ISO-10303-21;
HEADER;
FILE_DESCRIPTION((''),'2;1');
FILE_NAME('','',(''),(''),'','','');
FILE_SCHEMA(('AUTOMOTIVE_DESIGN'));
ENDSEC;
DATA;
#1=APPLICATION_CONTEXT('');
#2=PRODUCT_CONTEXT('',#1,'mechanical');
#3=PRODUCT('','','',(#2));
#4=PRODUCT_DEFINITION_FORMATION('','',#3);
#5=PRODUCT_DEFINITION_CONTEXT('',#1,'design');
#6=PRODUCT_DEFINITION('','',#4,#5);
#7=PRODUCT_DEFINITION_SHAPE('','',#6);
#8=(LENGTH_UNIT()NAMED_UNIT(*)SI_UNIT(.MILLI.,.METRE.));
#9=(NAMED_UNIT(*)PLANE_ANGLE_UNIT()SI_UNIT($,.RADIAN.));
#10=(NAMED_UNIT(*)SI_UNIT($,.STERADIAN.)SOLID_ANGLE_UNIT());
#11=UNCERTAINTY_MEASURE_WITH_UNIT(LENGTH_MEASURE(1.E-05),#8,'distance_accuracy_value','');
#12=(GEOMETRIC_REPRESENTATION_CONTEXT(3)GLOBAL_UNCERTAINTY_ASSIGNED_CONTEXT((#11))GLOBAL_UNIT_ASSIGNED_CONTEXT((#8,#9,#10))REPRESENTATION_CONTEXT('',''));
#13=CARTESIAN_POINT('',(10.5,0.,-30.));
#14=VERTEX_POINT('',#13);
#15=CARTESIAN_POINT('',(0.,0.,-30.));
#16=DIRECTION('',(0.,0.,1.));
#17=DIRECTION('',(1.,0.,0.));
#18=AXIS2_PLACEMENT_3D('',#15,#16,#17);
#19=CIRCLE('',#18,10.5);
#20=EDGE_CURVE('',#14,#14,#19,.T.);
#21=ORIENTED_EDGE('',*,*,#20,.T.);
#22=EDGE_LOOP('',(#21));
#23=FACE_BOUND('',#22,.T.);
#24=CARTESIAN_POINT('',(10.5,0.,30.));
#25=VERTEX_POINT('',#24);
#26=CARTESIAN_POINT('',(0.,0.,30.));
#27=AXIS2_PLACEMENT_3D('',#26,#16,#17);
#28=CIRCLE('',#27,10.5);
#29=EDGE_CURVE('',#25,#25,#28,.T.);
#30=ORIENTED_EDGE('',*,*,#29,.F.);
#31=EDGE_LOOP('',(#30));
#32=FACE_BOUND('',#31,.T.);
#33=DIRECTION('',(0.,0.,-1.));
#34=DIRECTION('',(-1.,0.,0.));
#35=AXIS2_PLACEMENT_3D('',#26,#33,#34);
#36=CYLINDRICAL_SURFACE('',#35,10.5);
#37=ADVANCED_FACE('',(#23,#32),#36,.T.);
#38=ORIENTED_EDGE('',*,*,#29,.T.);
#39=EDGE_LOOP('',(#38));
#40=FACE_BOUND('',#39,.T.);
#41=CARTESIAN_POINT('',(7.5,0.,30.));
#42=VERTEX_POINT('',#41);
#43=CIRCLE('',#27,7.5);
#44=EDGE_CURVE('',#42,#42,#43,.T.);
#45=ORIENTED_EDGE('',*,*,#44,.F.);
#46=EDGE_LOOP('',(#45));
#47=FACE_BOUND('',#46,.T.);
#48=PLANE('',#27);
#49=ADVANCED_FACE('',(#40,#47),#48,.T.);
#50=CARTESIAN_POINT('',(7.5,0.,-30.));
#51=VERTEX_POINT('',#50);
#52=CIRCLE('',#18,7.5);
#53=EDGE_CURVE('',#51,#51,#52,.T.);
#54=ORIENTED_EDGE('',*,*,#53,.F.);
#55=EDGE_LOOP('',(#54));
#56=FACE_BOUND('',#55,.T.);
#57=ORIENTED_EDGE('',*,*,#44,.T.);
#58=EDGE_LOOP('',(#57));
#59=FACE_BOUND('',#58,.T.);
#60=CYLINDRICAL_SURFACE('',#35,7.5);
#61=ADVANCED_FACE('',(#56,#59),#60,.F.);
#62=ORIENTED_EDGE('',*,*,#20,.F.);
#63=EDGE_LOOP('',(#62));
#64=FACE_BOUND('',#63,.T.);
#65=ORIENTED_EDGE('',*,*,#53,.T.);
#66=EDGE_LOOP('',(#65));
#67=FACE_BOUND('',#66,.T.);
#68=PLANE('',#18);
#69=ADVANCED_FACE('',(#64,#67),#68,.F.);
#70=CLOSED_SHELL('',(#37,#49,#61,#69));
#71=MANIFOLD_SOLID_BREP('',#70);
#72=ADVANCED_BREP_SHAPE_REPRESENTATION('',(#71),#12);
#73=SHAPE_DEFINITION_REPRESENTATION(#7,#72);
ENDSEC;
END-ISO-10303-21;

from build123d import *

# Parameters (mm, degrees)
IZIM1_R                     = 10.5
IZIM1_R_2                   = 7.5
Y_KSEKLIK_EKSTR_ZYON1_DEPTH = 30


with BuildPart() as part:
    # Çizim1 → Yükseklik-Ekstrüzyon1 (new, symmetric)
    with BuildSketch(Plane.XY):
        Circle(IZIM1_R)
        Circle(IZIM1_R_2, mode=Mode.SUBTRACT)
    extrude(amount=Y_KSEKLIK_EKSTR_ZYON1_DEPTH, both=True)


solid = part.part
